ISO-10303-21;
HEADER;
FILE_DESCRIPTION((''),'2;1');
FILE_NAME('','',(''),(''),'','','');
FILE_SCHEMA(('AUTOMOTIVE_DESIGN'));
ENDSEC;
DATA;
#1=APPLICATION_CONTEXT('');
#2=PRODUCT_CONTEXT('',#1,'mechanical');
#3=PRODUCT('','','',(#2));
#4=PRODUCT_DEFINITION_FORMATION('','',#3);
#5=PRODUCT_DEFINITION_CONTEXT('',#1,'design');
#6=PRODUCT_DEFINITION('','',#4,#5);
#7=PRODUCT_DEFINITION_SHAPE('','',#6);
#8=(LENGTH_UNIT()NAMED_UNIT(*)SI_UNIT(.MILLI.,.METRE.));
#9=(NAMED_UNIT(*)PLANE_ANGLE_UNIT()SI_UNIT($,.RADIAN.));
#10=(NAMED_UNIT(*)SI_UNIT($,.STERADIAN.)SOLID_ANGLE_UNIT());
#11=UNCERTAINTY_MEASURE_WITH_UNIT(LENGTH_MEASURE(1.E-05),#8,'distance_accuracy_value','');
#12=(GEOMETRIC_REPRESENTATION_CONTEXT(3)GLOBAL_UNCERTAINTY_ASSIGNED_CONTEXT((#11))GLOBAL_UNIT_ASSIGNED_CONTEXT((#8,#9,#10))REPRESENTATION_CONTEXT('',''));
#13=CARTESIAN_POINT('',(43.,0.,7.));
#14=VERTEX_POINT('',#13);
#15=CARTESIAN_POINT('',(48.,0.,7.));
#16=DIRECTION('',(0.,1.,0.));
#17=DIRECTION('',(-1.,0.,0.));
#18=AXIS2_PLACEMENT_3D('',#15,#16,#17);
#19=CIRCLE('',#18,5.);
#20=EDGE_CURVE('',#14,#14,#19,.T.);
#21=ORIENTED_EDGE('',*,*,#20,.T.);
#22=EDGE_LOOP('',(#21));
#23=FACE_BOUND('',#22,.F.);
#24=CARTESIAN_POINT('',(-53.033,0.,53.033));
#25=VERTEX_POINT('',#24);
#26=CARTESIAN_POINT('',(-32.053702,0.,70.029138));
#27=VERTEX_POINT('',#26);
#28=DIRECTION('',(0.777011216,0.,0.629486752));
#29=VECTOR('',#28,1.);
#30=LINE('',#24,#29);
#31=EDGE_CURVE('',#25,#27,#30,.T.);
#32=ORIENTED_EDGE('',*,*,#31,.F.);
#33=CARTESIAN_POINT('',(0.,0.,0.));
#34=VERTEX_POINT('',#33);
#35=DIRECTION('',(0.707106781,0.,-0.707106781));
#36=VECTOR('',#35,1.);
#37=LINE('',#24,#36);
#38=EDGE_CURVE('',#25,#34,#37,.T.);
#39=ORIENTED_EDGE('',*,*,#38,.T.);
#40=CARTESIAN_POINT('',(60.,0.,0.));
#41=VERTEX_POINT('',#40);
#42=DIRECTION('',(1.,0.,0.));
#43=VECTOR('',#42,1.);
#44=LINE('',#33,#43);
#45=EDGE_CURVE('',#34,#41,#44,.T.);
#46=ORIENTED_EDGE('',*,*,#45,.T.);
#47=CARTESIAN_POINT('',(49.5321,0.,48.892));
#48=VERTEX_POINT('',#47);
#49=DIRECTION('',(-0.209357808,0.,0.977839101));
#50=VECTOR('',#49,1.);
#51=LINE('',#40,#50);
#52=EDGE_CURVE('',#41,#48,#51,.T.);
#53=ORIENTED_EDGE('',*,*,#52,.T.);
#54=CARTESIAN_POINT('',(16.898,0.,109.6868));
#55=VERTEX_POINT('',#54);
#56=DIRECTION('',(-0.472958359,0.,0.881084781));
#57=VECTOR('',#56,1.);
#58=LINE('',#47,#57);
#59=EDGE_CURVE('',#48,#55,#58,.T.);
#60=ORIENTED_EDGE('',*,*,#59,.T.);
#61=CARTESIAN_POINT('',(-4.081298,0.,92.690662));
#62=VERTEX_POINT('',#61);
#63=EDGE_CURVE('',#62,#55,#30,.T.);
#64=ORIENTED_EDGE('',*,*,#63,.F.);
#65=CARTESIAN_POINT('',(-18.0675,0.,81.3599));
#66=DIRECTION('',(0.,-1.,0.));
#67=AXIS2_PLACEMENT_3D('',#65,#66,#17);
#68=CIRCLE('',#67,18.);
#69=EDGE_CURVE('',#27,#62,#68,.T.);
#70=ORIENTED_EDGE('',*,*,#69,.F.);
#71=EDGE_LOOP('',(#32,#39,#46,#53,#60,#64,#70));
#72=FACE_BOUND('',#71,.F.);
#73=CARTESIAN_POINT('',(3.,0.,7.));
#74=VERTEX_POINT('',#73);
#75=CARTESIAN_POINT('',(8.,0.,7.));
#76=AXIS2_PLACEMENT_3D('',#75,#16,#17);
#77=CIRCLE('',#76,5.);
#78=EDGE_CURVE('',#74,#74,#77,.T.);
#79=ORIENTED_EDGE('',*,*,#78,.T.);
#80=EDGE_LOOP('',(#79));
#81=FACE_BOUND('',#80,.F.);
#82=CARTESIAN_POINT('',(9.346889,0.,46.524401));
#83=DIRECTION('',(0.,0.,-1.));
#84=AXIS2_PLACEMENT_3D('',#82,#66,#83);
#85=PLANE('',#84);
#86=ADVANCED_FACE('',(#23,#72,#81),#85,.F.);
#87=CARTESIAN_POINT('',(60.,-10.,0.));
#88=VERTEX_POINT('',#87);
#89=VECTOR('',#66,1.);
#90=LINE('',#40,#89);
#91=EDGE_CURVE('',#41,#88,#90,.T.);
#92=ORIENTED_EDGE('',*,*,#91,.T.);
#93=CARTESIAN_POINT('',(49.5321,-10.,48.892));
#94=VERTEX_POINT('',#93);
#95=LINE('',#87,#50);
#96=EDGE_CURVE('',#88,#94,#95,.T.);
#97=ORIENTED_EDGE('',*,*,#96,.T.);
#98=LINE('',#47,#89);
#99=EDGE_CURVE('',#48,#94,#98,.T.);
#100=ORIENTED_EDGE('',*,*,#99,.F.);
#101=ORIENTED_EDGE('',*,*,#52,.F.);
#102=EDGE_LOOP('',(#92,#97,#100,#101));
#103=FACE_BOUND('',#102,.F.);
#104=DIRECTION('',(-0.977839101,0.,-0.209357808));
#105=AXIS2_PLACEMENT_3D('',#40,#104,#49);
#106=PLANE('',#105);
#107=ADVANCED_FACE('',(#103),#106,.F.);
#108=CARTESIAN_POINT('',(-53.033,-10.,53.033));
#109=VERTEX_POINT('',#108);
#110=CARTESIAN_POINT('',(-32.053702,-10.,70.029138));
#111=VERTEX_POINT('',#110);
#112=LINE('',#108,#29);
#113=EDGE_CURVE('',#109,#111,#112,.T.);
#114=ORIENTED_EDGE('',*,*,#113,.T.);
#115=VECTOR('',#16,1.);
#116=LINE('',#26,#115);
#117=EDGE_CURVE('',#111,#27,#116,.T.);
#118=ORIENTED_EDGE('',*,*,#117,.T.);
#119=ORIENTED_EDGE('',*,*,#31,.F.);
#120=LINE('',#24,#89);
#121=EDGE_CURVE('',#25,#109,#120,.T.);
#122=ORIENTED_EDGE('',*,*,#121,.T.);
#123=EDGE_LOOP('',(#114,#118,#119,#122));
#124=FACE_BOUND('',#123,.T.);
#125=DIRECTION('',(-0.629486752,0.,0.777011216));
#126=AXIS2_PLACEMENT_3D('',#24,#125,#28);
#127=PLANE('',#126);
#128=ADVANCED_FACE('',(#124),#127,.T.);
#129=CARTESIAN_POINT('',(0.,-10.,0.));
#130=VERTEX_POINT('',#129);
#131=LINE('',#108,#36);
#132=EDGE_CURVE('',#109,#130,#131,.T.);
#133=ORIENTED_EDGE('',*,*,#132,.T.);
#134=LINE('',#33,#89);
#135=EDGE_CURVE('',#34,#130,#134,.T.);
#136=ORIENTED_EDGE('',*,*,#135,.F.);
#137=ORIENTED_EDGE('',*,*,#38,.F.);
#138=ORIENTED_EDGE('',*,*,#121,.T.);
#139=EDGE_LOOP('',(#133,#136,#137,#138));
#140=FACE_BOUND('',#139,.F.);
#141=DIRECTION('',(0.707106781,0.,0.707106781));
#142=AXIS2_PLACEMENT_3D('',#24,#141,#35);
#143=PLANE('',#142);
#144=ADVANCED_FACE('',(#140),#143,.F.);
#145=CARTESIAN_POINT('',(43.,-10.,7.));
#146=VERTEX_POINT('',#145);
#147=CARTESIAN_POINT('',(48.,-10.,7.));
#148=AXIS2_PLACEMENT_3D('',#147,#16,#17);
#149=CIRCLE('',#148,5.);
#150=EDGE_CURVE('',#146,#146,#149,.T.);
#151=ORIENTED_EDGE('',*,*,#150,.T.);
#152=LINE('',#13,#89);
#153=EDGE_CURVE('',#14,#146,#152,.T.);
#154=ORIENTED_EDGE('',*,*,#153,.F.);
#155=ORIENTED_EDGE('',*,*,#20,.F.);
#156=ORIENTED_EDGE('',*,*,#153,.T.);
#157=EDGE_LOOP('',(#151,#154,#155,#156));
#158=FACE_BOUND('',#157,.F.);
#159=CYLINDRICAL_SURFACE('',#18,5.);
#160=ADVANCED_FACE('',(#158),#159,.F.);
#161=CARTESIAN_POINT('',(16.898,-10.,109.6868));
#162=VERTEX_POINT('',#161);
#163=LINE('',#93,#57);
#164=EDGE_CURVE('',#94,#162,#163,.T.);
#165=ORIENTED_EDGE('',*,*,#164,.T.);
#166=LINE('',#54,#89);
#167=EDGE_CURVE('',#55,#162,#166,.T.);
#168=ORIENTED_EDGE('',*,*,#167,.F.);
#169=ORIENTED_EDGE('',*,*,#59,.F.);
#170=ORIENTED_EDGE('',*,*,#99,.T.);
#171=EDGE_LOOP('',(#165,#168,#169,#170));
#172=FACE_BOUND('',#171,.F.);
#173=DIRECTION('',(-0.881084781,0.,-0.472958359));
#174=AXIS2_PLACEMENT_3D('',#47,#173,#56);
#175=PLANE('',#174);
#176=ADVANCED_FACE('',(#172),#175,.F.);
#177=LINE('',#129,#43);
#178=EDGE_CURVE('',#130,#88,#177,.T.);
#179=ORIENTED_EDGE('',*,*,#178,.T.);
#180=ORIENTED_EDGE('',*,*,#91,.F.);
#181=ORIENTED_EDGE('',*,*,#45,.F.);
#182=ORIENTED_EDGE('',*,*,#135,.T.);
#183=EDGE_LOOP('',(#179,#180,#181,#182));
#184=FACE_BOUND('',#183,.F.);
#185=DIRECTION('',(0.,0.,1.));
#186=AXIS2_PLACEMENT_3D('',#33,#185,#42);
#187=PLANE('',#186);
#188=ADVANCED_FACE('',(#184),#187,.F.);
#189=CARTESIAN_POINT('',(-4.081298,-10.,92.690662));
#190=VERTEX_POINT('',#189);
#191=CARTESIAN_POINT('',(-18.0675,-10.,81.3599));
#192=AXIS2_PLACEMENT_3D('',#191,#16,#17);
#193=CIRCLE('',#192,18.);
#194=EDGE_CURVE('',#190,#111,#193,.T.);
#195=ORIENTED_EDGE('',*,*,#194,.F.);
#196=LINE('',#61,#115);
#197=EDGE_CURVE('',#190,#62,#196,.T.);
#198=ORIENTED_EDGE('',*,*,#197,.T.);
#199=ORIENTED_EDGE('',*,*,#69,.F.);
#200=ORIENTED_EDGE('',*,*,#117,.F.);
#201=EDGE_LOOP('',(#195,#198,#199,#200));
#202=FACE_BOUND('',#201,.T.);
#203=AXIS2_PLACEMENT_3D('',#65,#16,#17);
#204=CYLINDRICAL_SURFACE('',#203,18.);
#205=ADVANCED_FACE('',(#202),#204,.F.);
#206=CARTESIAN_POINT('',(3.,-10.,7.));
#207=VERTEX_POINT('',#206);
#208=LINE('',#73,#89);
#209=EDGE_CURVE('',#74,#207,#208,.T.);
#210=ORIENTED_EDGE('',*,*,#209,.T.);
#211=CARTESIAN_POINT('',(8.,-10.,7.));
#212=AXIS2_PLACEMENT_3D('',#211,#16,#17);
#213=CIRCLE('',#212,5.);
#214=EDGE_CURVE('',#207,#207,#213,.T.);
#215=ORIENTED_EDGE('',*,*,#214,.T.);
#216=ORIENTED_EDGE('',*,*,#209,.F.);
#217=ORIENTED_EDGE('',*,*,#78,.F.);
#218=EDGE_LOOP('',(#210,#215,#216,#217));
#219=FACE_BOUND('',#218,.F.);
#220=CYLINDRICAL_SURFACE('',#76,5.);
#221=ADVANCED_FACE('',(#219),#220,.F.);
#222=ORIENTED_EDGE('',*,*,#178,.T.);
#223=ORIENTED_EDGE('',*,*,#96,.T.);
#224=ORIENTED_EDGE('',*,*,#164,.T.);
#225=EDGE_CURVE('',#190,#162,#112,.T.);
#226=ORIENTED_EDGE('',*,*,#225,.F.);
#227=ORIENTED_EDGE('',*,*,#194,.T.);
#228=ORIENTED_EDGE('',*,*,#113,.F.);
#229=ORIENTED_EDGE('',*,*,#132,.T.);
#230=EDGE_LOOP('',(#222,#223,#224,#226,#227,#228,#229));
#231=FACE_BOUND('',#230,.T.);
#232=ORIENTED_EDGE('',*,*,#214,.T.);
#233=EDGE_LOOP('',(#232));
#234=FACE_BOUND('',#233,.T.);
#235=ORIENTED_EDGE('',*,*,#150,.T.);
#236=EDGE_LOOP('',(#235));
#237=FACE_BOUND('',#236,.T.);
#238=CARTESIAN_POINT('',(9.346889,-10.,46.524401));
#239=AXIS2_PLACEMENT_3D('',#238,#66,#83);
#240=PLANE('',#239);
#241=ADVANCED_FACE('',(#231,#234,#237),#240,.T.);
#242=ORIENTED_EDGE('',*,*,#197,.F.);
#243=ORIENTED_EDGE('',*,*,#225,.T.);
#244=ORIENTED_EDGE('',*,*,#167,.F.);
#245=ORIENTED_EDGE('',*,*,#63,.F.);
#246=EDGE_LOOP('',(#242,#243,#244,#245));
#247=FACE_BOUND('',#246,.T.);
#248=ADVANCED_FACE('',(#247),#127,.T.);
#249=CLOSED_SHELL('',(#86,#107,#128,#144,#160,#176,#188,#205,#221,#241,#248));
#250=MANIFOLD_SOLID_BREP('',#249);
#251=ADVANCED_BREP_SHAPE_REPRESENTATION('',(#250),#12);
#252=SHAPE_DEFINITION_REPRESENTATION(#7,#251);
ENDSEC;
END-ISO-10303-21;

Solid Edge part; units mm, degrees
sketch "Sketch1" plane through (0, 0, 0) normal (0, -1, 0) x (1, 0, 0)
  line L0 (-53.033, 53.033) -> (0, 0)
  line L1 (0, 0) -> (60, 0)
  line L2 (60, 0) -> (49.5321, 48.892)
  line L3 (49.5321, 48.892) -> (16.898, 109.6868)
  line L4 (-53.033, 53.033) -> (16.898, 109.6868)
  dimension "D1" = 75
  dimension "D2" = 60
  dimension "D3" = 50
  dimension "D4" = 69
  dimension "D5" = 90
extrude "Protrusion1" add sketch "Sketch1" along normal blind 10
sketch "Sketch2" plane through (-1.5165, 0, 51.9599) normal (0, 1, 0) x (-1, 0, 0)
  line L0 (2.5648, 40.7308) -> (30.5372, 18.0693)
  arc A0 (30.5372, 18.0693) -> (2.5648, 40.7308) centre (16.551, 29.4) cw
  dimension "D1" = 36
  dimension "D2" = 36
extrude "Cutout1" cut sketch "Sketch2" against normal up to next
sketch "Sketch3" plane through (3.4835, 0, 54.8434) normal (0, 1, 0) x (-1, 0, 0)
  circle A0 centre (-44.5165, -47.8434) radius 5
  circle A1 centre (-4.5165, -47.8434) radius 5
  dimension "D1" = 7
  dimension "D2" = 10
  dimension "D3" = 10
  dimension "D4" = 40
  dimension "D5" = 12
extrude "Cutout2" cut sketch "Sketch3" against normal up to next
